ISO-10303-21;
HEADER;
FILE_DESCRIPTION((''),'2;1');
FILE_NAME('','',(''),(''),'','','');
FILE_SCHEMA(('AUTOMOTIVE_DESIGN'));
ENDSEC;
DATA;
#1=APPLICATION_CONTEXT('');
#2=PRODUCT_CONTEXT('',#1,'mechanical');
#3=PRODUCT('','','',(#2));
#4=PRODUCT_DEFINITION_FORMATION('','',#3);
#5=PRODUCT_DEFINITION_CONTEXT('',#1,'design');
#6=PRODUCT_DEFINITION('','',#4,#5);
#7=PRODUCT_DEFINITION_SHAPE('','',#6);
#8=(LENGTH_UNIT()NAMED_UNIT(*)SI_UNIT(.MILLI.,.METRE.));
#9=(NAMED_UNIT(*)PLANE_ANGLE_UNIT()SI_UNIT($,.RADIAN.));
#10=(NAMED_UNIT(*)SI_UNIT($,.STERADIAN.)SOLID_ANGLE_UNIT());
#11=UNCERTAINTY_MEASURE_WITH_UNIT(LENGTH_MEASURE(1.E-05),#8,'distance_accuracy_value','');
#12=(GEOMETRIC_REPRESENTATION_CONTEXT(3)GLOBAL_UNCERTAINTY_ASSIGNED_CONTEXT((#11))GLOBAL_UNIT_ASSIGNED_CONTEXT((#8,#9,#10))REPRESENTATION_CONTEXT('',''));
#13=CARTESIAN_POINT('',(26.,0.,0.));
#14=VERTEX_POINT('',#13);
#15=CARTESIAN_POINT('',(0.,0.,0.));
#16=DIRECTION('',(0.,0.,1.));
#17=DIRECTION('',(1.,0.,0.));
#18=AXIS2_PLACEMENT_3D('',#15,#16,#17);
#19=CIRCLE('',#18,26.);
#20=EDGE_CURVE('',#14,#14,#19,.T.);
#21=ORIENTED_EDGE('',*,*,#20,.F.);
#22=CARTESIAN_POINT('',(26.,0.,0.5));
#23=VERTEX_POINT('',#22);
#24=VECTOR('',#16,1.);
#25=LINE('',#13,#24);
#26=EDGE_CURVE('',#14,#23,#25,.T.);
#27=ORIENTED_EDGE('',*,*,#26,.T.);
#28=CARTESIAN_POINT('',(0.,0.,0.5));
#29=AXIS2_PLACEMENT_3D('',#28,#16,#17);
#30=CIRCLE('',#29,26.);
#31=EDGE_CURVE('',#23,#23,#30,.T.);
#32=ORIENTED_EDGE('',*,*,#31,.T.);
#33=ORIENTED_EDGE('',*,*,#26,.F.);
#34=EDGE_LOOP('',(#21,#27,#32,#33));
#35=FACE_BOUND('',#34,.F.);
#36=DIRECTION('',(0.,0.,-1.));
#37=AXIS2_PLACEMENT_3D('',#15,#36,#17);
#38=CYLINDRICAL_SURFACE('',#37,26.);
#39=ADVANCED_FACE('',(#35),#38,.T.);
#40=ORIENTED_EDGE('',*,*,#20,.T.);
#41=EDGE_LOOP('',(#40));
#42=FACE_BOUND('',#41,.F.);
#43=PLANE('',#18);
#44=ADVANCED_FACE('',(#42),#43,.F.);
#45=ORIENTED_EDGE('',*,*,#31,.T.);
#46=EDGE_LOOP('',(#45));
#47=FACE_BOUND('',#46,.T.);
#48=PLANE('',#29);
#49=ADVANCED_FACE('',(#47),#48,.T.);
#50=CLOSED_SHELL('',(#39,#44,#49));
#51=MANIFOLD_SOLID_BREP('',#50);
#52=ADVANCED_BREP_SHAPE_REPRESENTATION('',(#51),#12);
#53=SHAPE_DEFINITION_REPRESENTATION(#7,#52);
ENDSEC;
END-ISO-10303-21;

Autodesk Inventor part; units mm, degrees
ref_plane "YZ Plane" through (0, 0, 0) normal (1, 0, 0) x (0, 1, 0)
ref_plane "XZ Plane" through (0, 0, 0) normal (0, 1, 0) x (-1, 0, 0)
ref_plane "XY Plane" through (0, 0, 0) normal (0, 0, 1) x (1, 0, 0)
sketch "Sketch1" plane through (0, 0, 0) normal (0, 0, 1) x (1, 0, 0)
  circle A0 centre (0, 0) radius 26
  dimension "d0" = 52
extrude "Extrusion1" add sketch "Sketch1" along normal blind 0.5
properties part number "tag_yellow"
